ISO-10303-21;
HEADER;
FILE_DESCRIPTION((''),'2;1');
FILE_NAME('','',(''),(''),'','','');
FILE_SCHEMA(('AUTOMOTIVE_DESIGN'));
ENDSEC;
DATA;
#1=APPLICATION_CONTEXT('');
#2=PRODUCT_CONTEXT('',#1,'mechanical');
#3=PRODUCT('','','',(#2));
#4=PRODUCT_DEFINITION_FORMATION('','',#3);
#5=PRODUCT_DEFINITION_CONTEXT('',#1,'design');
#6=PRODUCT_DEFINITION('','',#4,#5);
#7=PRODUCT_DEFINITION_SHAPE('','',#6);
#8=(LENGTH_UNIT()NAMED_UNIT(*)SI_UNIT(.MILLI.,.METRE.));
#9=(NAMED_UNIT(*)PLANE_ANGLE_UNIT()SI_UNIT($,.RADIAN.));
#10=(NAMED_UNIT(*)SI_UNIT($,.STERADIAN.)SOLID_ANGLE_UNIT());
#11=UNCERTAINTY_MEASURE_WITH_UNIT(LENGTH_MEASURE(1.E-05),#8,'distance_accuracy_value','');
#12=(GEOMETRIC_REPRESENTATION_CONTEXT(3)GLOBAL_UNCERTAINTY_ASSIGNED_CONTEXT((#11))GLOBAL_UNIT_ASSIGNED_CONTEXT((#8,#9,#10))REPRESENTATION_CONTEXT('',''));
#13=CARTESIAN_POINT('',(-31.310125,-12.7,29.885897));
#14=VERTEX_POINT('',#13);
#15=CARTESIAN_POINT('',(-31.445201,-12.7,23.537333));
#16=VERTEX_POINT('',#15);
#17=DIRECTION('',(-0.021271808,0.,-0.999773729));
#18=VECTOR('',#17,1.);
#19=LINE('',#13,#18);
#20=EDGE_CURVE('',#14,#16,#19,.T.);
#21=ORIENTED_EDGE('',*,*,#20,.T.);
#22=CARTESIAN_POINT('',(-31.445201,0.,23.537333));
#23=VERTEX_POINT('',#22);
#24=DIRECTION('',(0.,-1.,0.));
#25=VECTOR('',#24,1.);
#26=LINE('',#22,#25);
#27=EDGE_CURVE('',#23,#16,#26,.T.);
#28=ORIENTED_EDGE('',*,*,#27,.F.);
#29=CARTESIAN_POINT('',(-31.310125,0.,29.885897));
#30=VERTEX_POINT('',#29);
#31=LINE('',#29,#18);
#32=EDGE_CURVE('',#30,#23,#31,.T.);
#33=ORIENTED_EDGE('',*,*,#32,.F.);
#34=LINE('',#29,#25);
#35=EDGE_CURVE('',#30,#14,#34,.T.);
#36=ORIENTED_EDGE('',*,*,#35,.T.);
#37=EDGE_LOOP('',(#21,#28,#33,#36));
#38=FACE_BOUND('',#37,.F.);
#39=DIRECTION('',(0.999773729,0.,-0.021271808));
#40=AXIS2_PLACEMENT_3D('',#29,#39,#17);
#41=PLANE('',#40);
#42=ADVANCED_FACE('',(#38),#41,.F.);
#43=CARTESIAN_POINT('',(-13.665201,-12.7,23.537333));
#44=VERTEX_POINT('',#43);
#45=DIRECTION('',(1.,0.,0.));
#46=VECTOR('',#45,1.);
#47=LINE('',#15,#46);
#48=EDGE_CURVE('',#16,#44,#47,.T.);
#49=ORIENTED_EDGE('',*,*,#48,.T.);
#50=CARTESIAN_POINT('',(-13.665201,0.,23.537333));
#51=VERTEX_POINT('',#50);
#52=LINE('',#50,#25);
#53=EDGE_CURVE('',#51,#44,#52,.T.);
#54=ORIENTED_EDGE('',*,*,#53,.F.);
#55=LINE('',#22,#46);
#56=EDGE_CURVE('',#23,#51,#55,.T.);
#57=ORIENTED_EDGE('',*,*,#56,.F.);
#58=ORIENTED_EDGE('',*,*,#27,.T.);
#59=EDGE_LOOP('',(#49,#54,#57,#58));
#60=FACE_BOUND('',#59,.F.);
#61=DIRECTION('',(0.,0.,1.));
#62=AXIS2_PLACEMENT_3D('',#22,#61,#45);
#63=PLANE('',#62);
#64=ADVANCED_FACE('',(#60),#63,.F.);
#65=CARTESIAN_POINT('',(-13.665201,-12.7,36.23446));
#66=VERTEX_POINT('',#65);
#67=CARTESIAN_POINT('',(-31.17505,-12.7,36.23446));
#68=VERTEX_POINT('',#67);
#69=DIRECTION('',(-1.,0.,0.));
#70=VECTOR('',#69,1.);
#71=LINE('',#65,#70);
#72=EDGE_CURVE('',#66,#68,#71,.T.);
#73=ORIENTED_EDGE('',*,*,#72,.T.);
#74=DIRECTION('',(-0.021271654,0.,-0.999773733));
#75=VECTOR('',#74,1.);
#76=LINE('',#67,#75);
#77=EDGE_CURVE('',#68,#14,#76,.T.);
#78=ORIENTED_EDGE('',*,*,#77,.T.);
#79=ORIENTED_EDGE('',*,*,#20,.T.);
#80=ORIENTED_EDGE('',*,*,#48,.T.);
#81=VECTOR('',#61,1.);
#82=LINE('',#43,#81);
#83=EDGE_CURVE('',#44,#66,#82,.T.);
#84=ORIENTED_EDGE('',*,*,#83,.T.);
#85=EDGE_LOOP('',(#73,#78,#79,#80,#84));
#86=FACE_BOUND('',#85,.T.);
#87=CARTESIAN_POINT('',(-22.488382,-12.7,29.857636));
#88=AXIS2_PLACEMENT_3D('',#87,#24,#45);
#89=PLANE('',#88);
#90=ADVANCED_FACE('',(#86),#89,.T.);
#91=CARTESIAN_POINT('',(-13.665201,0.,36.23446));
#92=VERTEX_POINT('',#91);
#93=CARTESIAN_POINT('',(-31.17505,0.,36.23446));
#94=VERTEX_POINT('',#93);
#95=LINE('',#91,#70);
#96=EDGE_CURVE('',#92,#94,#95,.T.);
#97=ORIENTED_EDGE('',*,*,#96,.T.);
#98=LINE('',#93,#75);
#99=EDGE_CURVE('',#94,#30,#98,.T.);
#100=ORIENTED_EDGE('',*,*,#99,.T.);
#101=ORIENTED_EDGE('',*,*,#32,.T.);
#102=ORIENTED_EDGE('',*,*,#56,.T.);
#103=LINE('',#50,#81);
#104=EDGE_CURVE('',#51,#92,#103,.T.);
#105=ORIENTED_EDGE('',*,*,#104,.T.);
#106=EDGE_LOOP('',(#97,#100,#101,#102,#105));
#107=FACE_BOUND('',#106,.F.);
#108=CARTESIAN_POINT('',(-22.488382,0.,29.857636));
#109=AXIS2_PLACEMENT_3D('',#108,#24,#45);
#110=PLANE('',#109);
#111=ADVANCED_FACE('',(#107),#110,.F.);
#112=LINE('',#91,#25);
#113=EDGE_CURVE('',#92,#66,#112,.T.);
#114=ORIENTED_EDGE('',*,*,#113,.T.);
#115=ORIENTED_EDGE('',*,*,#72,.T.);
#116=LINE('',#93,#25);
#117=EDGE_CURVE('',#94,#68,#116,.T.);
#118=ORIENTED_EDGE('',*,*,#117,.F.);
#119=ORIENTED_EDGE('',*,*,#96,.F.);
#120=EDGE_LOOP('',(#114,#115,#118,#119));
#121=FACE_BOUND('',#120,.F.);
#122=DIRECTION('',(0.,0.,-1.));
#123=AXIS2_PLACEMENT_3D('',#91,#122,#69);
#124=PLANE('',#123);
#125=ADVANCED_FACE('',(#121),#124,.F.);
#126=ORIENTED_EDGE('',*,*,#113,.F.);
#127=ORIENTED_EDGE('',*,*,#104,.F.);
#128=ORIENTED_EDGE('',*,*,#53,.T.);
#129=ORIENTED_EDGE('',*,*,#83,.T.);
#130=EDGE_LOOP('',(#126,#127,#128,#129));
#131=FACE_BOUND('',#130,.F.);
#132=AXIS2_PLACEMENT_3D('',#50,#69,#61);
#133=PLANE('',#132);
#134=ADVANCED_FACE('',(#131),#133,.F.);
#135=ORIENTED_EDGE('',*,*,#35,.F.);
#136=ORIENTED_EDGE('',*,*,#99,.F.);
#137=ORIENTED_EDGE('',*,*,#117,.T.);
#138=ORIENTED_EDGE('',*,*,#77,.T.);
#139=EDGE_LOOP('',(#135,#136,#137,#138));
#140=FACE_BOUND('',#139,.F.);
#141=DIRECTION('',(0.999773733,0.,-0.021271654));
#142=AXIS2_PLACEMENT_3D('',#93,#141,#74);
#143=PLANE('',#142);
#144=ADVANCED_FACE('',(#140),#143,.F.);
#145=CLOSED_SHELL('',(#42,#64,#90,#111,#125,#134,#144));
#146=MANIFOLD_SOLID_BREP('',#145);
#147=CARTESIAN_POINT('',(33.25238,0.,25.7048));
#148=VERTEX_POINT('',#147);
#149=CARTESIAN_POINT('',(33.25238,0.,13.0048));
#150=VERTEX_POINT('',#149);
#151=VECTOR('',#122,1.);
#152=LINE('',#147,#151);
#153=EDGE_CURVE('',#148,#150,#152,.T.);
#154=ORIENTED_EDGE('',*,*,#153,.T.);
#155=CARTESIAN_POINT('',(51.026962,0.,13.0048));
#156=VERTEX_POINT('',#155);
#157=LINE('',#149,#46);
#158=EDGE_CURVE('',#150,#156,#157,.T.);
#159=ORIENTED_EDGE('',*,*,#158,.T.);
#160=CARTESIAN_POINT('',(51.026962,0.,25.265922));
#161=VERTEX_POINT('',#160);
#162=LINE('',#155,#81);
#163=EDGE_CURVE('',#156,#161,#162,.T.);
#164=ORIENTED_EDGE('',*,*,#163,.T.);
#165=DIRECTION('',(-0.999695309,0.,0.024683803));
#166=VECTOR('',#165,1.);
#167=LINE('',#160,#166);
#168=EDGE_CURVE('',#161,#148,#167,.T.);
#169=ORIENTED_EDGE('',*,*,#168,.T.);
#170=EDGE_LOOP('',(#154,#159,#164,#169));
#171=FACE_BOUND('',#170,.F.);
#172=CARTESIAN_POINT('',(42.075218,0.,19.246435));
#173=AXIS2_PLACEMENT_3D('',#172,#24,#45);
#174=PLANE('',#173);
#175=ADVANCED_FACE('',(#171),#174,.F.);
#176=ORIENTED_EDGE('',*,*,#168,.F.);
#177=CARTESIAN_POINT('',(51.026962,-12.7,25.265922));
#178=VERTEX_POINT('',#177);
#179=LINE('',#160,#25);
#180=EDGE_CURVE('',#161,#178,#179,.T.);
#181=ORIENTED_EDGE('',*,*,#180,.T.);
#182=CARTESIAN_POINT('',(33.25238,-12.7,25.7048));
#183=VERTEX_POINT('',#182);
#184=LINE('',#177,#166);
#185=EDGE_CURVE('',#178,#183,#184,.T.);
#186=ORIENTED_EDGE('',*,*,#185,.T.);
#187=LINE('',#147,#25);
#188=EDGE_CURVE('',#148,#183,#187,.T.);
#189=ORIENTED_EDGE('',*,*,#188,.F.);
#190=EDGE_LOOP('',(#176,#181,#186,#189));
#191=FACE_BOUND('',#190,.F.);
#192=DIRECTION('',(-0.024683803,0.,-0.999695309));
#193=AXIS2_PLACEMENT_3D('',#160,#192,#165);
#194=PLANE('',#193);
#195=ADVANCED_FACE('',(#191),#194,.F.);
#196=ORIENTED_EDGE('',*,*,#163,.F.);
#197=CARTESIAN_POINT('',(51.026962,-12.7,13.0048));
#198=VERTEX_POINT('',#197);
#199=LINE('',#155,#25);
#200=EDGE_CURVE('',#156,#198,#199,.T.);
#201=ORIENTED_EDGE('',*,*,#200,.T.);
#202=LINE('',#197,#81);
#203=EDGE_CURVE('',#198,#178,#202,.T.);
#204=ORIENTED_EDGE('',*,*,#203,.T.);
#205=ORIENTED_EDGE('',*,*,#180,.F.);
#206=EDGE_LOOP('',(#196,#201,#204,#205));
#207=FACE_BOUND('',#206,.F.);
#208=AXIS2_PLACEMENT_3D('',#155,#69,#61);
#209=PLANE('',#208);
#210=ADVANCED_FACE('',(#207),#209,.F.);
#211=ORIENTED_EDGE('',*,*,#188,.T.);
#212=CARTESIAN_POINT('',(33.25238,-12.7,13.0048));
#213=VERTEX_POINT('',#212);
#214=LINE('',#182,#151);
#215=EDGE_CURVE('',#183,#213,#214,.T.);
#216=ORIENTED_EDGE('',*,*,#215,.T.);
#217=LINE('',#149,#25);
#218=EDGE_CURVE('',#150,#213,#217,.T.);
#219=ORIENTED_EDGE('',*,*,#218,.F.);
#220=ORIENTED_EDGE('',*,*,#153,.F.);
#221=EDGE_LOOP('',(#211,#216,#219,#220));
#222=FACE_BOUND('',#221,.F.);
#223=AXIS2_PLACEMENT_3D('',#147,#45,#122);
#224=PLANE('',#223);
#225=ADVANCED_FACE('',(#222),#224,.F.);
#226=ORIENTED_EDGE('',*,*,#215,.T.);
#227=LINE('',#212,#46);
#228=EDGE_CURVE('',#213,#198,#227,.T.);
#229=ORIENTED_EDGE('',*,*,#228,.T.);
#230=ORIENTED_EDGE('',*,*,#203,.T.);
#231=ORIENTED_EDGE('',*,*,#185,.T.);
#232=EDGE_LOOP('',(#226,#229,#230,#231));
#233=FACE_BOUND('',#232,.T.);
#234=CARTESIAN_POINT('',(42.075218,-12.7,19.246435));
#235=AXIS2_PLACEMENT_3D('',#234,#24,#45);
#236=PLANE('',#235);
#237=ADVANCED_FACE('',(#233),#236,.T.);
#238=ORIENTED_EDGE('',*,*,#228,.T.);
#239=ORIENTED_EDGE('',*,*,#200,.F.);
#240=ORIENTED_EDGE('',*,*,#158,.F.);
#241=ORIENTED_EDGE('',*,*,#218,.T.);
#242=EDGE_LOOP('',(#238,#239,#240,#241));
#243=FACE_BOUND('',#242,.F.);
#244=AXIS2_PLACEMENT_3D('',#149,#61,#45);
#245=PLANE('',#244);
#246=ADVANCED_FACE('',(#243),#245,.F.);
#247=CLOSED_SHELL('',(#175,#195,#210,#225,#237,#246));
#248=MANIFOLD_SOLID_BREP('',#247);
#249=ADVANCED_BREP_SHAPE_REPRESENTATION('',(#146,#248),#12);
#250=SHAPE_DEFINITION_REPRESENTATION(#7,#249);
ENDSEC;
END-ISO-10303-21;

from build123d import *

# Parameters (mm, degrees)
F2_DEPTH = 12.7


with BuildPart() as f2:
    # F0 (on Front) + F1 (on Front) → F2 (new body)
    with BuildSketch(Plane.XZ):
        Polygon((-31.310125, 29.885897), (-31.445201, 23.537333), (-13.665201, 23.537333), (-13.665201, 36.23446), (-31.17505, 36.23446), align=None)
    with BuildSketch(Plane.XZ):
        Polygon((51.026962, 25.265922), (33.25238, 25.7048), (33.25238, 13.0048), (51.026962, 13.0048), (51.026962, 19.135361), align=None)
    extrude(amount=F2_DEPTH)


solid = f2.part
